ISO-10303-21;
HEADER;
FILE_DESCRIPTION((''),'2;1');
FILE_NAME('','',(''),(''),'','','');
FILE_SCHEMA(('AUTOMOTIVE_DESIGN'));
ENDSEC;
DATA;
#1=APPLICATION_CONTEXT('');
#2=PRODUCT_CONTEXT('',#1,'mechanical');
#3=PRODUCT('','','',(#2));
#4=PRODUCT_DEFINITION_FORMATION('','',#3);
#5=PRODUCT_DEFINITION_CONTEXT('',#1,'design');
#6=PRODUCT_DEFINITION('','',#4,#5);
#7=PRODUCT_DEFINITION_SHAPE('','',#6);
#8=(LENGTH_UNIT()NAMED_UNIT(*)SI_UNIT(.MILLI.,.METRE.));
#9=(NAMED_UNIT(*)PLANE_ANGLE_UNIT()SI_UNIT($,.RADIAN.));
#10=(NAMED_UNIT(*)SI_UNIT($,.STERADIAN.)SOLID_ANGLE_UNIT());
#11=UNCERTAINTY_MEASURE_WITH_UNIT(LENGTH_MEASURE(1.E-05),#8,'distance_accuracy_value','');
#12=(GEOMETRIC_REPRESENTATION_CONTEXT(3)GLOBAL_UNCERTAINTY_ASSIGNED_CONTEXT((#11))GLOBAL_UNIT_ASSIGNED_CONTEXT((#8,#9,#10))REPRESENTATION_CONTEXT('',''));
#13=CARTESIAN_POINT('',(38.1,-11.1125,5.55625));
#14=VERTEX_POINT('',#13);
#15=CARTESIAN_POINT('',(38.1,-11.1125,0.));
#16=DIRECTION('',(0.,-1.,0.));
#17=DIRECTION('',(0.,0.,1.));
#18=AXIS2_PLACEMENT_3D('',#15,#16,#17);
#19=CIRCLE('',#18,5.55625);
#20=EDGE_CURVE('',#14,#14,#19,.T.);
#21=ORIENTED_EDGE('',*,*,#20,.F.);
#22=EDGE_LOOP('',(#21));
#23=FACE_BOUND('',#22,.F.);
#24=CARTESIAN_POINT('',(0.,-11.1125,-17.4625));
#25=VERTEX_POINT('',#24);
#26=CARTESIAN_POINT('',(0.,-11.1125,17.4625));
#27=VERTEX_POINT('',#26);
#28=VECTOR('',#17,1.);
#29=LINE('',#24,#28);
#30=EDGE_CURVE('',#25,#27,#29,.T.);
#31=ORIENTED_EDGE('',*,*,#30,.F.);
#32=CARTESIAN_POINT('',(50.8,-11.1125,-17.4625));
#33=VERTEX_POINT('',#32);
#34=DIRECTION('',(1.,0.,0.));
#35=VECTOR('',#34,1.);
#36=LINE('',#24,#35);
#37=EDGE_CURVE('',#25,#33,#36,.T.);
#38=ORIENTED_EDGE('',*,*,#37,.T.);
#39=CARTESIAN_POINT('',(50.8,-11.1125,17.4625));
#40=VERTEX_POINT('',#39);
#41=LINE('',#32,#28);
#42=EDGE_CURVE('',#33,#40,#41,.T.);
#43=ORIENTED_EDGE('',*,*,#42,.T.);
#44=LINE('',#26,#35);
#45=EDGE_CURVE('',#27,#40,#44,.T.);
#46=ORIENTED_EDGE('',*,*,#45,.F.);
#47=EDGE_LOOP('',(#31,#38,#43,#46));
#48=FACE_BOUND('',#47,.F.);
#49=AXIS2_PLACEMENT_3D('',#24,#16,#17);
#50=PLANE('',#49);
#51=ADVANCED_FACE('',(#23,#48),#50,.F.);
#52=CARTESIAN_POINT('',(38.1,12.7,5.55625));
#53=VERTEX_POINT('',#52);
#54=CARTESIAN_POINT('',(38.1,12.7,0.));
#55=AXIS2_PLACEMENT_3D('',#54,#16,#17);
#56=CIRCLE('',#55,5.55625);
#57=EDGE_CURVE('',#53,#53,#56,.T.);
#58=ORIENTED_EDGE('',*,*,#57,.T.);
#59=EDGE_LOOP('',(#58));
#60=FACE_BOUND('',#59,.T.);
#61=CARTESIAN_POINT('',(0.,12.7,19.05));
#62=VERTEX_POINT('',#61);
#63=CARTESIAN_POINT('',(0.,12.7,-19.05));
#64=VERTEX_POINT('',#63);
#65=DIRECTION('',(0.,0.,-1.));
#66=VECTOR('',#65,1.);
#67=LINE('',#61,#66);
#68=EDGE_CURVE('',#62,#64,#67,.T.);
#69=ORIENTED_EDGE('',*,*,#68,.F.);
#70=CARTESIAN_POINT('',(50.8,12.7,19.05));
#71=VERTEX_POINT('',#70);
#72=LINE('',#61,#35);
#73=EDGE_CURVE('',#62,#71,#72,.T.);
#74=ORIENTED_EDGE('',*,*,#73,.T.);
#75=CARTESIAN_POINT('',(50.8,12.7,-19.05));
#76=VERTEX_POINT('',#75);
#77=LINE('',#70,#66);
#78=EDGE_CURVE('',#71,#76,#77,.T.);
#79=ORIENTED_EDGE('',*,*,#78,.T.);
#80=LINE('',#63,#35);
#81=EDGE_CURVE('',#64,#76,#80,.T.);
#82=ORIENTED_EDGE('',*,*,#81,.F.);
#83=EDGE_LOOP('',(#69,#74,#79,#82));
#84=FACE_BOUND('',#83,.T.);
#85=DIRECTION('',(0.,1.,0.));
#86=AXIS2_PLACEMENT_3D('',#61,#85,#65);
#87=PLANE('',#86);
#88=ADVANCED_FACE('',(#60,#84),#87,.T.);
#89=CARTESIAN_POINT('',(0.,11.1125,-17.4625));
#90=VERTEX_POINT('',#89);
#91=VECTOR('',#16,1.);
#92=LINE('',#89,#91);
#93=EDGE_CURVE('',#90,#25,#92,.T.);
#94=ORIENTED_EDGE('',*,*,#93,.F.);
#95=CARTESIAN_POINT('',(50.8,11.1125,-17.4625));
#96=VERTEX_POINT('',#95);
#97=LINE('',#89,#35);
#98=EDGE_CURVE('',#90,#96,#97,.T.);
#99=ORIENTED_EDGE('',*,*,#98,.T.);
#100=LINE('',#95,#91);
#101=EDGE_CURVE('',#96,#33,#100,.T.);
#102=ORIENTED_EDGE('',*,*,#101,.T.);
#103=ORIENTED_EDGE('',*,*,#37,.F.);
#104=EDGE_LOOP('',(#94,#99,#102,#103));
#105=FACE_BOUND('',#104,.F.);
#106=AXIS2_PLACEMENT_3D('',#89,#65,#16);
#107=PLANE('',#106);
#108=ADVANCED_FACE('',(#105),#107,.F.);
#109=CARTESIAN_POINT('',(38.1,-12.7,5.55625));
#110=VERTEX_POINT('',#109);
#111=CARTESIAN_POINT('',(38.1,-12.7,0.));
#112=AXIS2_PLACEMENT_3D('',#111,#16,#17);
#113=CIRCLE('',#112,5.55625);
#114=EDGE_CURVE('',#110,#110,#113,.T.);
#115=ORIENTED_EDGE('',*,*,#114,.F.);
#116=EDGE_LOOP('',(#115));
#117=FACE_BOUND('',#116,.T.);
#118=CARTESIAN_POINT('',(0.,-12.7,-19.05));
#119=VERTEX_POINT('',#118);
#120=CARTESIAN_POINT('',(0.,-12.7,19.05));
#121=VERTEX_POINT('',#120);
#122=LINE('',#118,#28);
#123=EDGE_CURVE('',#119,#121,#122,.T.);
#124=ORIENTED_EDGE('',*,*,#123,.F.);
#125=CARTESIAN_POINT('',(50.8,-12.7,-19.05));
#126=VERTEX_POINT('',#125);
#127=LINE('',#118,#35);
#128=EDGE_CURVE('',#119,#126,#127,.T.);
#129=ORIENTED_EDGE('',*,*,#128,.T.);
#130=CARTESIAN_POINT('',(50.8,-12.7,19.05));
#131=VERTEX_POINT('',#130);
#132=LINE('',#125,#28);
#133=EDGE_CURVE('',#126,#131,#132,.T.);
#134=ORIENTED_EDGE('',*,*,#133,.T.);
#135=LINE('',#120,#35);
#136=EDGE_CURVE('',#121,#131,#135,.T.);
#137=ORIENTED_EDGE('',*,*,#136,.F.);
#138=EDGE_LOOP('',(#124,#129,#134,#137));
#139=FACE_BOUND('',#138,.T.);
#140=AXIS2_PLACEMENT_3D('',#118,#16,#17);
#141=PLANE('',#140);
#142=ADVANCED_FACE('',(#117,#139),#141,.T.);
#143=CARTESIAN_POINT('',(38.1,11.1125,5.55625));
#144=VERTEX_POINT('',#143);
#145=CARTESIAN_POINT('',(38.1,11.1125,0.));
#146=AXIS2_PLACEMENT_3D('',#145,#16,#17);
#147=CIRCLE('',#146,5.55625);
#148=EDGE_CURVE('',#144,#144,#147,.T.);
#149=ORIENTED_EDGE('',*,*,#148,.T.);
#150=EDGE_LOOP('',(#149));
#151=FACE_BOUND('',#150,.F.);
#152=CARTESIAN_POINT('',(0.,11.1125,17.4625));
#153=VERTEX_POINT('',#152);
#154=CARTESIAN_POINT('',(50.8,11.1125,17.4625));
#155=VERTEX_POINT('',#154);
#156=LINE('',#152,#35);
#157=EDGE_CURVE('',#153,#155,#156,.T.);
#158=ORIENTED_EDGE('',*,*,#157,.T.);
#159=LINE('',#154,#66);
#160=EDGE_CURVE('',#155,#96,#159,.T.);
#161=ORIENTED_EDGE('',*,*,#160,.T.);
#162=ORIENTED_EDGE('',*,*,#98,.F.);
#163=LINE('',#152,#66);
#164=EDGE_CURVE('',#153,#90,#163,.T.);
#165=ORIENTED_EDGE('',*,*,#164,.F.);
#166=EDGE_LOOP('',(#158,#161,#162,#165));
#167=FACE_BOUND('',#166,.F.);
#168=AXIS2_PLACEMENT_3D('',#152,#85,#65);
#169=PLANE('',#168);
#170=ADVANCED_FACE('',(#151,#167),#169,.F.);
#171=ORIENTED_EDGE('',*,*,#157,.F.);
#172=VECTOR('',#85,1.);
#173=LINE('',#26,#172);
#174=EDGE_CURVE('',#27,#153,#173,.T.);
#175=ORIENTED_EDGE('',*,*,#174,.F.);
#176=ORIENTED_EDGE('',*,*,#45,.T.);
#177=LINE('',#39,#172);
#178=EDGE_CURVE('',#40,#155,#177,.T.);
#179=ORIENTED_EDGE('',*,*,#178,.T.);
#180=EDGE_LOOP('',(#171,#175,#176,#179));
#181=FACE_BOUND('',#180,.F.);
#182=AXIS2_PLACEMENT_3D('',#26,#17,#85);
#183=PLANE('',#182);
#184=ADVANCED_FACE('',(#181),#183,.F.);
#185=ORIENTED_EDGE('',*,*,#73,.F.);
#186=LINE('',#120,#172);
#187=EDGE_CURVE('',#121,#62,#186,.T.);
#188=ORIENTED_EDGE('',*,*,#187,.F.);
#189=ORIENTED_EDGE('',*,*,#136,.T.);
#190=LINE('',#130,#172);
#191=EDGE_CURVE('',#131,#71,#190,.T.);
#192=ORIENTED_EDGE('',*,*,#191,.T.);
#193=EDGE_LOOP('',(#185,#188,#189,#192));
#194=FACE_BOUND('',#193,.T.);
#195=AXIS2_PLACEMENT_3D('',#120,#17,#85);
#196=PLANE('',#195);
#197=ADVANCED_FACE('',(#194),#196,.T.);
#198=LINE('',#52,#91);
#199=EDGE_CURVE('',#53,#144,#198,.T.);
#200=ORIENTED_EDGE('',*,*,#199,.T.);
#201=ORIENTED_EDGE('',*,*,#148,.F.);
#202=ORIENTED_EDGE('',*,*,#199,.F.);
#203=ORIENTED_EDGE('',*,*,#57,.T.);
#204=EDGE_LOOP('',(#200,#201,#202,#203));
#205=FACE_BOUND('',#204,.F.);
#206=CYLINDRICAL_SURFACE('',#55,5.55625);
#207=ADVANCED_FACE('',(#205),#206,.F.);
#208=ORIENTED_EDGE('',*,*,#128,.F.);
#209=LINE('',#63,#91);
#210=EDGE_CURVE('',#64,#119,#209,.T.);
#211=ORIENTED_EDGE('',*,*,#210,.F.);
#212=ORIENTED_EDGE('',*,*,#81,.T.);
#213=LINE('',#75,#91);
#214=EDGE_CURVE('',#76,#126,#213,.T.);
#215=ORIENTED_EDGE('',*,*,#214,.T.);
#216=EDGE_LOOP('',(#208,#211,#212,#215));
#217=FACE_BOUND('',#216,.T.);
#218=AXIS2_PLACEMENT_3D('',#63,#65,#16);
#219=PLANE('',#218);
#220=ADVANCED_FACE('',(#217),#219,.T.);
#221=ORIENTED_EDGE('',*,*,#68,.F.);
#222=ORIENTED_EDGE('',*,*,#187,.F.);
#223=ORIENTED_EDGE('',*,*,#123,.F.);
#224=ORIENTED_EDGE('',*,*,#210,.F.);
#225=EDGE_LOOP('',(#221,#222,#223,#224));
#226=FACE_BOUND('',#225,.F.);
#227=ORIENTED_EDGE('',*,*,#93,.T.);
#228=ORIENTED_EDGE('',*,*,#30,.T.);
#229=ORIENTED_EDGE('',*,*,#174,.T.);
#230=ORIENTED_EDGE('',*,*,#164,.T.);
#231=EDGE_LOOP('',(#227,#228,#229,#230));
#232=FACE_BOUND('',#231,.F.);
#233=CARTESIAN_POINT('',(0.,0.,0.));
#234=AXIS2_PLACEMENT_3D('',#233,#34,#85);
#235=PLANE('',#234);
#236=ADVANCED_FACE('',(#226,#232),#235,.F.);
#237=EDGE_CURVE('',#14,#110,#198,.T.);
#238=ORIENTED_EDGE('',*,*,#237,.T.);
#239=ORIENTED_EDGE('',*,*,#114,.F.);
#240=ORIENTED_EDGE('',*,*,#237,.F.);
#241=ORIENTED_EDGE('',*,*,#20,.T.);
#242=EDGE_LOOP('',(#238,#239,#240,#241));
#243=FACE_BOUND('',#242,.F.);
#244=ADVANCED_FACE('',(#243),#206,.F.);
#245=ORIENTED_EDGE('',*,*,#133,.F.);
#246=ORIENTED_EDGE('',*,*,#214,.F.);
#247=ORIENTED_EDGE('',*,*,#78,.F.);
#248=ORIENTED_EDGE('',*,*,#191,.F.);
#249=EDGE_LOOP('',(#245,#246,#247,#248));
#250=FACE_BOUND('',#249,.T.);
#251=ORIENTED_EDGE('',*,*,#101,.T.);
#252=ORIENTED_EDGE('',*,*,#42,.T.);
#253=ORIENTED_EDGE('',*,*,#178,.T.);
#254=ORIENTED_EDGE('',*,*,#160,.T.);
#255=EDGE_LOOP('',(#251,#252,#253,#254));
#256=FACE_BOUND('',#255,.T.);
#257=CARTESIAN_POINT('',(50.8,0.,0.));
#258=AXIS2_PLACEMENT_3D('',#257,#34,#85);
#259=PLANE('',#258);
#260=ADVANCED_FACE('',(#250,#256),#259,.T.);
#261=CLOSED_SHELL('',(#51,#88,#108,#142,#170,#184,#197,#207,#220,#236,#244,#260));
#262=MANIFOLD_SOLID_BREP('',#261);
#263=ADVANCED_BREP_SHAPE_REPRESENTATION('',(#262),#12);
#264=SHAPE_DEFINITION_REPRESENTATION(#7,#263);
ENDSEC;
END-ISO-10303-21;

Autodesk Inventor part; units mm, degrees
ref_plane "Work Plane3" through (0, 12.7, 0) normal (0, 1, 0) x (-1, 0, 0)
ref_plane "Start Plane" through (0, 0, 0) normal (1, 0, 0) x (0, 1, 0)
ref_plane "End Plane" through (50.8, 0, 0) normal (1, 0, 0) x (0, 1, 0)
sketch "Sketch" plane through (0, 0, 0) normal (1, 0, 0) x (0, 1, 0)
  line L0 (-12.7, 19.05) -> (12.7, 19.05)
  line L1 (12.7, 19.05) -> (12.7, -19.05)
  line L2 (12.7, -19.05) -> (-12.7, -19.05)
  line L3 (-12.7, -19.05) -> (-12.7, 19.05)
  line L4 (-12.7, 19.05) -> (12.7, -19.05) construction
  line L5 (12.7, 19.05) -> (-12.7, -19.05) construction
  line L6 (-11.1125, 17.4625) -> (11.1125, 17.4625)
  line L7 (11.1125, 17.4625) -> (11.1125, -17.4625)
  line L8 (11.1125, -17.4625) -> (-11.1125, -17.4625)
  line L9 (-11.1125, -17.4625) -> (-11.1125, 17.4625)
  line L10 (-11.1125, 17.4625) -> (11.1125, -17.4625) construction
  line L11 (11.1125, 17.4625) -> (-11.1125, -17.4625) construction
  point P0 (0, 0)
  dimension "d0" = 38.1
  dimension "d1" = 25.4
  dimension "d2" = 1.5875
  dimension "d3" = 1.5875
extrude "Body" add sketch "Sketch" along normal up to surface (50.8 mm away) from surface at 0
sketch "Sketch8" plane through (0, 0, 0) normal (1, 0, 0) x (0, 1, 0)
  line L0 (0, 0) -> (10, 0)
ref_plane "Work Plane6" through (0, 0, 0) normal (0, 0, -1) x (0, 1, 0)
sketch "Sketch9" plane through (0, 0, 0) normal (0, 0, -1) x (0, 1, 0)
  line L0 (-17.78, 0) -> (17.78, 0)
  line L1 (-17.78, 50.8) -> (17.78, 50.8)
  dimension "d21" = 50.8
sketch "Sketch5" plane through (0, 12.7, -19.05) normal (0, 1, 0) x (1, 0, 0)
  line L0 (0, -38.1) -> (0, 0) projected
  point P0 (0, -19.05)
  point P1 (38.1, -19.05)
  dimension "d22" = 38.1
hole "Hole2" at (38.1, 12.7, 0) direction (0, -1, 0) diameter 11.1125 end through all
equation "\"d3\" = d2"
equation "\"G_OFFSET_START\" = 0"
equation "\"G_OFFSET_END\" = 0"
equation "\"d17\" = d4 + G_OFFSET_END"
equation "\"G_L\" = d21"
equation "\"d4\" = 50.8"
properties part number "1606067155831"
